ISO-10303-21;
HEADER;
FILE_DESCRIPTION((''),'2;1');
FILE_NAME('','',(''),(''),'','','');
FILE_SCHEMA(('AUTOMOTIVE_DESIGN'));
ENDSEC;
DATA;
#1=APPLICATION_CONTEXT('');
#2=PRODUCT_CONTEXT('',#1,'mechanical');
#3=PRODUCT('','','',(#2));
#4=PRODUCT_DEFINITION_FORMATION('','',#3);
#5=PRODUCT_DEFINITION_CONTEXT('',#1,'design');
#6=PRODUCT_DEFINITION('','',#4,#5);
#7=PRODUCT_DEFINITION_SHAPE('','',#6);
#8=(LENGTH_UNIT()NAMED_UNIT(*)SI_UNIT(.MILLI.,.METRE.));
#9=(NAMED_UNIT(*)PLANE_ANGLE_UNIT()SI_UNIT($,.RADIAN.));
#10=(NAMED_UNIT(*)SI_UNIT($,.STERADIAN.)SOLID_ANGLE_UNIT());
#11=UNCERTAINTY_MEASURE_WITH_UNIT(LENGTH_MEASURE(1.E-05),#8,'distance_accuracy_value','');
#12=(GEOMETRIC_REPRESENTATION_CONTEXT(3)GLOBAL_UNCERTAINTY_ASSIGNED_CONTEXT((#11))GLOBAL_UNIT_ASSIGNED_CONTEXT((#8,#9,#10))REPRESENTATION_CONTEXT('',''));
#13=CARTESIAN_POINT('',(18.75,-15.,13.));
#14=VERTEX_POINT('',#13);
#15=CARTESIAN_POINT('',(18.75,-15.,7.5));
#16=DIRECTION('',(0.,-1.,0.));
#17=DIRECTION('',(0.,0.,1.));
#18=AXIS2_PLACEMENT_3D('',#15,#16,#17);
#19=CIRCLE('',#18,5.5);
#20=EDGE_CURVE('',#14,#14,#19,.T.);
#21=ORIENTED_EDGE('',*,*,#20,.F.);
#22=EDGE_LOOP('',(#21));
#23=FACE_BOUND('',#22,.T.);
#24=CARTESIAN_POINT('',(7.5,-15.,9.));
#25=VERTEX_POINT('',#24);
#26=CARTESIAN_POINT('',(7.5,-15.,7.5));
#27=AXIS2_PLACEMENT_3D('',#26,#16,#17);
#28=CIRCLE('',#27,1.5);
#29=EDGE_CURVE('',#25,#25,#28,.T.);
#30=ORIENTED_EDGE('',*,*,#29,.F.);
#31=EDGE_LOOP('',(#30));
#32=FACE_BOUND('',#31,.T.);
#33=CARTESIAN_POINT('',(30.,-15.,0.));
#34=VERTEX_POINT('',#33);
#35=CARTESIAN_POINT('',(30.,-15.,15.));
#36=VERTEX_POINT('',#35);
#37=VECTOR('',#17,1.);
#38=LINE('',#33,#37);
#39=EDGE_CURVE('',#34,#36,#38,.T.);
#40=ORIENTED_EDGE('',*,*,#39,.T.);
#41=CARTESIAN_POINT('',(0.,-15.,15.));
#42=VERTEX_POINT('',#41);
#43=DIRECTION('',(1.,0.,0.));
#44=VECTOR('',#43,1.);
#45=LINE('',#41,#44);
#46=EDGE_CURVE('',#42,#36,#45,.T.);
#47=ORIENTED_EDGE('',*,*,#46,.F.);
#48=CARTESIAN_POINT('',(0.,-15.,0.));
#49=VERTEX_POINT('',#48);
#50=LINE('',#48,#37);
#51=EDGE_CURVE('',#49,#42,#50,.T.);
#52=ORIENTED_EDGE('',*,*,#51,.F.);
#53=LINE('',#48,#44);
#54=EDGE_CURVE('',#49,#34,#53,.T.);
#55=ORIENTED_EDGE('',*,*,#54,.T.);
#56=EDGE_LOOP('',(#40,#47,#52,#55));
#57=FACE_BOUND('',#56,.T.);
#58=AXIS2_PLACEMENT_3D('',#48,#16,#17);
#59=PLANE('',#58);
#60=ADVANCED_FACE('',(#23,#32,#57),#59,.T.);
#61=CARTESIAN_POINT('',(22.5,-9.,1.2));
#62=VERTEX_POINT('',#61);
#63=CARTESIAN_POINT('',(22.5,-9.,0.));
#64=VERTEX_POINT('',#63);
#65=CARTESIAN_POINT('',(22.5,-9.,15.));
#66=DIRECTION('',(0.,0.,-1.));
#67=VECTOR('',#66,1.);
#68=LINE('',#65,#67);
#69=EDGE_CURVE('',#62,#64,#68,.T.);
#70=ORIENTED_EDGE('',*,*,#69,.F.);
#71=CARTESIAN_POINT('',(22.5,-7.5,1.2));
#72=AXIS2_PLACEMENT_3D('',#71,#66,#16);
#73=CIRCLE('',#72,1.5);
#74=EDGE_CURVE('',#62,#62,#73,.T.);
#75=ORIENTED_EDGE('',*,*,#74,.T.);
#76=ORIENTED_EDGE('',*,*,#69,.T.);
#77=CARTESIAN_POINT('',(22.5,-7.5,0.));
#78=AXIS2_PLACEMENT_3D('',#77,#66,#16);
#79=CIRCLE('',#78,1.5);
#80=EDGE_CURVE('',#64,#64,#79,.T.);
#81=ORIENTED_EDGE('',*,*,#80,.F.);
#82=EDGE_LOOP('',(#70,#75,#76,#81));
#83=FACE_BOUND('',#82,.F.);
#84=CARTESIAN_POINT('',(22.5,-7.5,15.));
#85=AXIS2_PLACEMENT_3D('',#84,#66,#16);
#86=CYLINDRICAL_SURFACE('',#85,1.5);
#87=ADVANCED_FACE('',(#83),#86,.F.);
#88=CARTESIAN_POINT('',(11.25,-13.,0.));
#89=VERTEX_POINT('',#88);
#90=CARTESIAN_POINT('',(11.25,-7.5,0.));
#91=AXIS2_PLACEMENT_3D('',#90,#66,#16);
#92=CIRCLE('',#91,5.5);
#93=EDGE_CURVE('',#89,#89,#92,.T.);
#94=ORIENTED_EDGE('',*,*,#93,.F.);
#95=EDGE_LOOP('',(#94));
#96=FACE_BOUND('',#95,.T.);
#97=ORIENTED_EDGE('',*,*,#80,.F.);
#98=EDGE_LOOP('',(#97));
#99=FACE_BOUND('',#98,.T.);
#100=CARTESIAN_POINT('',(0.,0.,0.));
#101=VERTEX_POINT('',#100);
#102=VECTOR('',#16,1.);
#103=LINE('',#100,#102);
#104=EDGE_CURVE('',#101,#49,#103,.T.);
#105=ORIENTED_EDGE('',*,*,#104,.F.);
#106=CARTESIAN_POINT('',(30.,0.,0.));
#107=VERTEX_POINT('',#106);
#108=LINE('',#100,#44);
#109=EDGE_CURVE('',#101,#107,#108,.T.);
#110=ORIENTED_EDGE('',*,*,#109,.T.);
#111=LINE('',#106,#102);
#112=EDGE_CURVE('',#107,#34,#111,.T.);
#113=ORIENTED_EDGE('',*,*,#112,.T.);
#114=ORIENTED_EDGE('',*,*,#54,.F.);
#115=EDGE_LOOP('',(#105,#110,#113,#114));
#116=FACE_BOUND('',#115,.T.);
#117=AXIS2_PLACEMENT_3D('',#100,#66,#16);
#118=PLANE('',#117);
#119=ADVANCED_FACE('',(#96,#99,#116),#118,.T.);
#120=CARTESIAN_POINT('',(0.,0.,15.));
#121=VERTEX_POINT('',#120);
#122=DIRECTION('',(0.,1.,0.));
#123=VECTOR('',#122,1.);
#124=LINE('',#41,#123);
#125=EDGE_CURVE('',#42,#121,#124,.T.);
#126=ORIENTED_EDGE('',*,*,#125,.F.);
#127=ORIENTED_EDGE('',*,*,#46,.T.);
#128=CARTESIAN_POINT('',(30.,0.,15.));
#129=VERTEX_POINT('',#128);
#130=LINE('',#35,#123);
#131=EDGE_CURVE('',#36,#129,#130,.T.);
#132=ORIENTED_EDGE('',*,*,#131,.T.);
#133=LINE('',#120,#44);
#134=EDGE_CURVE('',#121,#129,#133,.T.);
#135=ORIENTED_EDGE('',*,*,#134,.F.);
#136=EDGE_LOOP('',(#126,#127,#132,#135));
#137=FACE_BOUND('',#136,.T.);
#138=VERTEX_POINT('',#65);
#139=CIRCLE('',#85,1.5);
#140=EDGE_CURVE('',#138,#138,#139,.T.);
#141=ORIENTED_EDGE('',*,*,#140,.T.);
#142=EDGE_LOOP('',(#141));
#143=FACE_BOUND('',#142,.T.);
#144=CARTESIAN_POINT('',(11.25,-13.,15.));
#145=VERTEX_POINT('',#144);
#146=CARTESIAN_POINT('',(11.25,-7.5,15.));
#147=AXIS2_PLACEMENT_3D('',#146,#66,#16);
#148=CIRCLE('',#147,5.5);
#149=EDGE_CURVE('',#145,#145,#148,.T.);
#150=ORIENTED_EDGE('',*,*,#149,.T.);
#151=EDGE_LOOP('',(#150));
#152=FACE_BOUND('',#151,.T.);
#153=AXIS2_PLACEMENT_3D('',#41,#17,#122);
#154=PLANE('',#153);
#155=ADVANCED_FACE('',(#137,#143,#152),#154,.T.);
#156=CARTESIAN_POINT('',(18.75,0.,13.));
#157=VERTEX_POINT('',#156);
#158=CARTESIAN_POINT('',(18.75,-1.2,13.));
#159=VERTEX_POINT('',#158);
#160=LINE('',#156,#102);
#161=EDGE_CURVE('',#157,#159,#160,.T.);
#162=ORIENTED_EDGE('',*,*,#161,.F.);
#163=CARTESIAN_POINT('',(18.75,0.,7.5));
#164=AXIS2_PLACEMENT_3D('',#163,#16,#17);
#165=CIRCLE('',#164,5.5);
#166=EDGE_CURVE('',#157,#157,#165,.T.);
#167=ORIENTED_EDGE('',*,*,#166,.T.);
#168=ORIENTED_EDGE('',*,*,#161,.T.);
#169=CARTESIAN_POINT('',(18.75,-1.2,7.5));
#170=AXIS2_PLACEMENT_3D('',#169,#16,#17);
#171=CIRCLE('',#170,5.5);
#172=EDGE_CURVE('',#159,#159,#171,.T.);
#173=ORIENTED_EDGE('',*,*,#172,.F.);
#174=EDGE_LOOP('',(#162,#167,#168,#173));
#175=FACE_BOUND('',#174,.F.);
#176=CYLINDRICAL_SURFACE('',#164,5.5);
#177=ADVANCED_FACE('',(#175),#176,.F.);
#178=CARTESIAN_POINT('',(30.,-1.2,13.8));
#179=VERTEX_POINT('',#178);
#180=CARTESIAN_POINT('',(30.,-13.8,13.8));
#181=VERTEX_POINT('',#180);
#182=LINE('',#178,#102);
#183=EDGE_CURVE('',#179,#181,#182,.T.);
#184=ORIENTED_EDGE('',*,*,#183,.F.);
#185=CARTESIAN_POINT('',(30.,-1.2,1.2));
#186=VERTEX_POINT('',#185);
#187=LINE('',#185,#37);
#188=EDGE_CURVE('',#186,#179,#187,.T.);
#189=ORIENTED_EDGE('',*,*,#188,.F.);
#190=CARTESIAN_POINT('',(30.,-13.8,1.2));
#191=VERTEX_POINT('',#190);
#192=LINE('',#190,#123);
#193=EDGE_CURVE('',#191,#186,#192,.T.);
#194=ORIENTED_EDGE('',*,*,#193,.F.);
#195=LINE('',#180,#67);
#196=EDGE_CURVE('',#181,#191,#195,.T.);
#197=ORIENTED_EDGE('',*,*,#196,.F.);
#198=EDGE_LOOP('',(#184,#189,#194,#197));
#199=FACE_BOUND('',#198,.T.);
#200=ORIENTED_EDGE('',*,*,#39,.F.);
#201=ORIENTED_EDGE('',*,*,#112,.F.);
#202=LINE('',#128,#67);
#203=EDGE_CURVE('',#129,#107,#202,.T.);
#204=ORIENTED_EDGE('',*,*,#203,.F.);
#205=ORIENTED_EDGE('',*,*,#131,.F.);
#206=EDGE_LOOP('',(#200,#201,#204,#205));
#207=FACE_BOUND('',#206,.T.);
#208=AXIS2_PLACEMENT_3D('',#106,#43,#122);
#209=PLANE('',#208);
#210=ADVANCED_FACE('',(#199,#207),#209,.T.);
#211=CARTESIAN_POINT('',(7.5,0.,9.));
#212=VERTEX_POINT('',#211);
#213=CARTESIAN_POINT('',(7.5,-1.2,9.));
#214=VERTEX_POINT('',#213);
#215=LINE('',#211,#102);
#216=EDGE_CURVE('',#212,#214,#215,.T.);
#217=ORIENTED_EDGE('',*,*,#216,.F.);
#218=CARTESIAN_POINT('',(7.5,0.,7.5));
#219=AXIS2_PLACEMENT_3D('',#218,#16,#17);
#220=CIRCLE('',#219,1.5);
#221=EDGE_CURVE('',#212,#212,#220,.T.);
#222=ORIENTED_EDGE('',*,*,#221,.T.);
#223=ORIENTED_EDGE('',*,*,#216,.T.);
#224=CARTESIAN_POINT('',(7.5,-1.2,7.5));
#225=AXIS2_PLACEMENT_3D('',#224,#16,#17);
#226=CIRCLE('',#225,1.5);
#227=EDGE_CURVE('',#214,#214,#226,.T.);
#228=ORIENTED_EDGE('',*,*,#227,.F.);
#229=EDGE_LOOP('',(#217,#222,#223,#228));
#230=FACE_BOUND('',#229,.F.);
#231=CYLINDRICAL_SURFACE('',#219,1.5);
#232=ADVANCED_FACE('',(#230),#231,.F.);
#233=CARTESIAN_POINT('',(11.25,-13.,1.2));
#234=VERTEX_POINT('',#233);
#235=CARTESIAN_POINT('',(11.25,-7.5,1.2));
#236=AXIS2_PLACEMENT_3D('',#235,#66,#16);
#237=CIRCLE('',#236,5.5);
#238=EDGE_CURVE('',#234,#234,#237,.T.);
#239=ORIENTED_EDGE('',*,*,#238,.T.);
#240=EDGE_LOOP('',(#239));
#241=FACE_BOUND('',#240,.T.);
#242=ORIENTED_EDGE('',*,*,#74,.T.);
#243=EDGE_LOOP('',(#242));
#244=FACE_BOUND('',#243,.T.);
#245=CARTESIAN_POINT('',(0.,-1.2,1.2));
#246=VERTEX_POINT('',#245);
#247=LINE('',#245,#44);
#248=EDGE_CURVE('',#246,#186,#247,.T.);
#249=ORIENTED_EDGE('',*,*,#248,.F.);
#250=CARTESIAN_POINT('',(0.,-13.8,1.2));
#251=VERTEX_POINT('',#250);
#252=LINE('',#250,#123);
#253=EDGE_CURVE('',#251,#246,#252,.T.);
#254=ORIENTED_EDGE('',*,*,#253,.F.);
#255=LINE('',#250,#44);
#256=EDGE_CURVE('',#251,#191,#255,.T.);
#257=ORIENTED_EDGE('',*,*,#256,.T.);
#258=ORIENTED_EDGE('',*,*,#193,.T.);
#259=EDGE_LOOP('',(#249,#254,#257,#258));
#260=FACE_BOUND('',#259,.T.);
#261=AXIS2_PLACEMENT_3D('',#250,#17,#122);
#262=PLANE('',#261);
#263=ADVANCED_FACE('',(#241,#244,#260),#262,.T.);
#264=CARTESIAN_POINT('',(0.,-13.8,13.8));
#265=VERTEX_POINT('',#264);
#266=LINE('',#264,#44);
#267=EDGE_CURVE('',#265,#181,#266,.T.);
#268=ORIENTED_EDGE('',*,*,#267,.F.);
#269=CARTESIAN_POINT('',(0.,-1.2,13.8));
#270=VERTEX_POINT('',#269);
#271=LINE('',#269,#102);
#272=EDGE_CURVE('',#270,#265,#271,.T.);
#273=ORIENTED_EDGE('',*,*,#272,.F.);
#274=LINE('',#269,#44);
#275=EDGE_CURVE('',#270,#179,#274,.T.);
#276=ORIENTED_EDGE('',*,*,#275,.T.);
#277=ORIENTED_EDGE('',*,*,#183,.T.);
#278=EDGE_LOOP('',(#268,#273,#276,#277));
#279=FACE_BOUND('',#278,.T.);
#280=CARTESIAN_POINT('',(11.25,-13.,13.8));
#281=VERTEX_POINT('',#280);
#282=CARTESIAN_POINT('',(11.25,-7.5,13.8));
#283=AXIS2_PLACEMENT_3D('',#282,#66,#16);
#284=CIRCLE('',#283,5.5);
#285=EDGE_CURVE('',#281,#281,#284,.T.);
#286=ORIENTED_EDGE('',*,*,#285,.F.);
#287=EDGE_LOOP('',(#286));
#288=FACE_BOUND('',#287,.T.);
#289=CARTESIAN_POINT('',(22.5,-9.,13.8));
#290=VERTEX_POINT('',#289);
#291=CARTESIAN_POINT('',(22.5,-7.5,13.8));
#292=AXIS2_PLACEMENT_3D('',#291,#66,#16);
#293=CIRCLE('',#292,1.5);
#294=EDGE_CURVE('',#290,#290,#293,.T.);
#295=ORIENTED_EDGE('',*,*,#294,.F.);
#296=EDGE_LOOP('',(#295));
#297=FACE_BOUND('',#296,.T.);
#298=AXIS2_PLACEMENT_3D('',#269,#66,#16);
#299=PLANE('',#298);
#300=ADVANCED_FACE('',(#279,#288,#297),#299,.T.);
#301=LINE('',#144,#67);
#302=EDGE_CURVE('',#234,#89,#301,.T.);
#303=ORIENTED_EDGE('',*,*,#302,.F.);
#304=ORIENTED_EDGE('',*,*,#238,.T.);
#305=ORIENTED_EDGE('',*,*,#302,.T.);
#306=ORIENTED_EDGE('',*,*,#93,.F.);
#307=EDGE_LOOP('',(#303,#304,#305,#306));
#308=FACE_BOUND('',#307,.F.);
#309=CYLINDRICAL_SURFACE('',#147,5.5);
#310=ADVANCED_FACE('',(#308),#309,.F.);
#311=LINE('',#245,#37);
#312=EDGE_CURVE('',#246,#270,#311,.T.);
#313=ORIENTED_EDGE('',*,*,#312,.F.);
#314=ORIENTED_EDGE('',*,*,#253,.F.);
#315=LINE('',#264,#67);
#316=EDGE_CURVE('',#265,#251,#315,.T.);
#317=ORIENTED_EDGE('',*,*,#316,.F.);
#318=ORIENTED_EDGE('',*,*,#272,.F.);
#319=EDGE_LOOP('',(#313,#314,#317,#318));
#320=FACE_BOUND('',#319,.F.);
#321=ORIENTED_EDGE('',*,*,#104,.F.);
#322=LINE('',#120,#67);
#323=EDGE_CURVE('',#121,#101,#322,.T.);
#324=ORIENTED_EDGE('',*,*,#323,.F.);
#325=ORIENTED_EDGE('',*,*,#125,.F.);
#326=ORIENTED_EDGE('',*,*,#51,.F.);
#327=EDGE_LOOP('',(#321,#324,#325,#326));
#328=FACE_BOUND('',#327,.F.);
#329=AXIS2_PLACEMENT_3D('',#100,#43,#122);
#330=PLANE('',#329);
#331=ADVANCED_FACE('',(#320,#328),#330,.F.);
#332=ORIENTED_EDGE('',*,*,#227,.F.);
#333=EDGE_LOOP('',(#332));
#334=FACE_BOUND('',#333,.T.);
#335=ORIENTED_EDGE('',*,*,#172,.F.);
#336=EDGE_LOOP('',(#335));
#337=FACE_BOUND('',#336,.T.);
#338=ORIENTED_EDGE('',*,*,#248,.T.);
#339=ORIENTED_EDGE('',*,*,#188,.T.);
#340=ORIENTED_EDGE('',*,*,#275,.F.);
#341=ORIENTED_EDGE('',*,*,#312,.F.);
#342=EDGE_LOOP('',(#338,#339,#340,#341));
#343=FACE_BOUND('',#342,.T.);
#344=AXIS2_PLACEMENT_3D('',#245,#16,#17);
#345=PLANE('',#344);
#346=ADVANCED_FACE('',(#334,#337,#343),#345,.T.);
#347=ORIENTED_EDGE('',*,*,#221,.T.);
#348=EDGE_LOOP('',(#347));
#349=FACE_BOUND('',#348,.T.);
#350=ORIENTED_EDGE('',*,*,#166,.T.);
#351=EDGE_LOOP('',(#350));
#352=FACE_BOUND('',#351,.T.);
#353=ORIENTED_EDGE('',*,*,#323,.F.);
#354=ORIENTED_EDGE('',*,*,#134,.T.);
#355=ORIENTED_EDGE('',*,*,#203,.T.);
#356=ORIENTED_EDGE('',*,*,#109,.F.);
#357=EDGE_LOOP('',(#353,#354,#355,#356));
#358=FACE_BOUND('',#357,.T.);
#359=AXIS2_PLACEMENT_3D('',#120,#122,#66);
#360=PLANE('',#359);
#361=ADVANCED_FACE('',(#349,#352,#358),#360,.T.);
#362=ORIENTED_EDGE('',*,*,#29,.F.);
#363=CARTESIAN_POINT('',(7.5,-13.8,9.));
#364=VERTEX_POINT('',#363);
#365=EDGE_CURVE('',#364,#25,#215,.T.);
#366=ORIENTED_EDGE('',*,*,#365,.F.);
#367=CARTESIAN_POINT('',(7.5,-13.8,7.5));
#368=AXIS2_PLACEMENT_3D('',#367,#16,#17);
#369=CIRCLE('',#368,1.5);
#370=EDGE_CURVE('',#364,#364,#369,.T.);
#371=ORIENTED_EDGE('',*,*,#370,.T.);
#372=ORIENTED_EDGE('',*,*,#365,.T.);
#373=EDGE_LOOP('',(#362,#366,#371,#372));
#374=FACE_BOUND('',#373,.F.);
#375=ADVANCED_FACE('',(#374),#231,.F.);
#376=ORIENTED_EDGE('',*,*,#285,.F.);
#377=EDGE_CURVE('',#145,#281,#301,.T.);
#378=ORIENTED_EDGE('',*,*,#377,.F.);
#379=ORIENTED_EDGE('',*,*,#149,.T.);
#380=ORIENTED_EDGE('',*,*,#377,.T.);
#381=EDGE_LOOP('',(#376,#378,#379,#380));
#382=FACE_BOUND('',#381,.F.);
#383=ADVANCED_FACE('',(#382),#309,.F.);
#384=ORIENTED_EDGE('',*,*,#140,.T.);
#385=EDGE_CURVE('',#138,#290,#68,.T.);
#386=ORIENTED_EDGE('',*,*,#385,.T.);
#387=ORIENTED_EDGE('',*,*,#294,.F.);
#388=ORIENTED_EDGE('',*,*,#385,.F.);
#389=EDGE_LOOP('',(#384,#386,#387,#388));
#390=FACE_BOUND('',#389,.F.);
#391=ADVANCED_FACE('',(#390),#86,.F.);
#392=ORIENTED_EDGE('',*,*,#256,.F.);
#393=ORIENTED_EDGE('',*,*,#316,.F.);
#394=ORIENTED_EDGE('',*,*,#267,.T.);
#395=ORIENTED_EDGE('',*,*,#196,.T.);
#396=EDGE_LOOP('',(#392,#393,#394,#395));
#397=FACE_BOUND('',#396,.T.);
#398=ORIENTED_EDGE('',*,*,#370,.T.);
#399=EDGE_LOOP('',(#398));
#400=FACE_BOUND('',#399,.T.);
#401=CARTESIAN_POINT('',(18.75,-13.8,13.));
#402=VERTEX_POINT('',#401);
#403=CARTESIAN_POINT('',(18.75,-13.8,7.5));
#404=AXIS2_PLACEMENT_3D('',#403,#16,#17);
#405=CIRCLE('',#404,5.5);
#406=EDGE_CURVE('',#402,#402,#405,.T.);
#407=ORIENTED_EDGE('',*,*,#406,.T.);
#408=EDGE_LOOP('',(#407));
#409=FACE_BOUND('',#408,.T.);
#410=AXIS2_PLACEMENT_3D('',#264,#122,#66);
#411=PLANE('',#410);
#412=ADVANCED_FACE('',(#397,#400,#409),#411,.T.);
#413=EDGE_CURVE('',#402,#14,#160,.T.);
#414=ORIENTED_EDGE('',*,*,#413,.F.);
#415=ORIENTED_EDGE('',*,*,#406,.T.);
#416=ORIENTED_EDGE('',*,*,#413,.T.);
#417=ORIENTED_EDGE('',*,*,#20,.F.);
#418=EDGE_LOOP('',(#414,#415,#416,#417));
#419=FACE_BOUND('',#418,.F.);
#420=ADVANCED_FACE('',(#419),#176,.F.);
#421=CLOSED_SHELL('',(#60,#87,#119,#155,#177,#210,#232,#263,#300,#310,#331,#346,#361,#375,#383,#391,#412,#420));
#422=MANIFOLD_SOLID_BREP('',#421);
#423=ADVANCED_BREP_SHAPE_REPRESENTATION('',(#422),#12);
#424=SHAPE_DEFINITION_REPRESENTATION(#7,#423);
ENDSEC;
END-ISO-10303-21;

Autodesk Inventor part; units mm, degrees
ref_plane "YZ Plane" through (0, 0, 0) normal (1, 0, 0) x (0, 1, 0)
ref_plane "XZ Plane" through (0, 0, 0) normal (0, 1, 0) x (-1, 0, 0)
ref_plane "XY Plane" through (0, 0, 0) normal (0, 0, 1) x (1, 0, 0)
sketch "スケッチ1" plane through (0, 0, 0) normal (1, 0, 0) x (0, 1, 0)
  line L0 (0, 0) -> (-15, 0)
  line L1 (-15, 0) -> (-15, 15)
  line L2 (-15, 15) -> (0, 15)
  line L3 (0, 15) -> (0, 0)
  line L4 (-13.8, 1.2) -> (-1.2, 1.2)
  line L5 (-1.2, 1.2) -> (-1.2, 13.8)
  line L6 (-1.2, 13.8) -> (-13.8, 13.8)
  line L7 (-13.8, 13.8) -> (-13.8, 1.2)
  dimension "d0" = 15
  dimension "d1" = 15
  dimension "d2" = 1.2
  dimension "d3" = 1.2
  dimension "d4" = 1.2
  dimension "d5" = 1.2
extrude "押し出し1" add sketch "スケッチ1" along normal blind 30
sketch "スケッチ2" plane through (0, -15, 15) normal (0, 0, 1) x (1, 0, 0)
  line L0 (0, 0) -> (30, 0) projected
  line L1 (30, 15) -> (30, 0) projected
  point P0 (0, 15)
  point P1 (22.5, 7.5)
  dimension "d8" = 7.5
  dimension "d9" = 7.5
sketch "スケッチ3" plane through (0, 0, 15) normal (0, 1, 0) x (1, 0, 0)
  line L0 (0, 15) -> (0, 0) projected
  line L1 (0, 15) -> (30, 15) projected
  point P0 (7.5, 7.5)
  dimension "d10" = 7.5
  dimension "d11" = 7.5
hole "穴1" at (22.5, -7.5, 15) direction (0, 0, -1) diameter 3 end through all
hole "穴2" at (7.5, 0, 7.5) direction (0, -1, 0) diameter 3 end through all
sketch "スケッチ4" plane through (0, -15, 15) normal (0, 0, 1) x (1, 0, 0)
  circle A0 centre (22.5, 7.5) radius 1.5 projected
  line L0 (0, 15) -> (0, 0) projected
  line L1 (0, 15) -> (30, 15) projected
  point P0 (11.25, 7.5)
  dimension "d26" = 22.5
  dimension "d27" = 11.25
  dimension "d28" = 7.5
hole "穴3" at (11.25, -7.5, 15) direction (0, 0, -1) diameter 11 end through all
sketch "スケッチ5" plane through (0, 0, 15) normal (0, 1, 0) x (1, 0, 0)
  line L0 (30, 15) -> (30, 0) projected
  circle A0 centre (7.5, 7.5) radius 1.5 projected
  line L1 (0, 15) -> (30, 15) projected
  point P0 (18.75, 7.5)
  dimension "d36" = 22.5
  dimension "d37" = 11.25
  dimension "d38" = 7.5
hole "穴4" at (18.75, 0, 7.5) direction (0, -1, 0) diameter 11 end through all
equation "\"d3\" = d2"
equation "\"d4\" = d3"
equation "\"d5\" = d4"
equation "\"d9\" = d8"
equation "\"d11\" = d10"
equation "\"d27\" = 0.5 * d26"
equation "\"d37\" = 0.5 * d36"
properties part number "ロボットベース15x15x30" material "アルミニウム 6061"
